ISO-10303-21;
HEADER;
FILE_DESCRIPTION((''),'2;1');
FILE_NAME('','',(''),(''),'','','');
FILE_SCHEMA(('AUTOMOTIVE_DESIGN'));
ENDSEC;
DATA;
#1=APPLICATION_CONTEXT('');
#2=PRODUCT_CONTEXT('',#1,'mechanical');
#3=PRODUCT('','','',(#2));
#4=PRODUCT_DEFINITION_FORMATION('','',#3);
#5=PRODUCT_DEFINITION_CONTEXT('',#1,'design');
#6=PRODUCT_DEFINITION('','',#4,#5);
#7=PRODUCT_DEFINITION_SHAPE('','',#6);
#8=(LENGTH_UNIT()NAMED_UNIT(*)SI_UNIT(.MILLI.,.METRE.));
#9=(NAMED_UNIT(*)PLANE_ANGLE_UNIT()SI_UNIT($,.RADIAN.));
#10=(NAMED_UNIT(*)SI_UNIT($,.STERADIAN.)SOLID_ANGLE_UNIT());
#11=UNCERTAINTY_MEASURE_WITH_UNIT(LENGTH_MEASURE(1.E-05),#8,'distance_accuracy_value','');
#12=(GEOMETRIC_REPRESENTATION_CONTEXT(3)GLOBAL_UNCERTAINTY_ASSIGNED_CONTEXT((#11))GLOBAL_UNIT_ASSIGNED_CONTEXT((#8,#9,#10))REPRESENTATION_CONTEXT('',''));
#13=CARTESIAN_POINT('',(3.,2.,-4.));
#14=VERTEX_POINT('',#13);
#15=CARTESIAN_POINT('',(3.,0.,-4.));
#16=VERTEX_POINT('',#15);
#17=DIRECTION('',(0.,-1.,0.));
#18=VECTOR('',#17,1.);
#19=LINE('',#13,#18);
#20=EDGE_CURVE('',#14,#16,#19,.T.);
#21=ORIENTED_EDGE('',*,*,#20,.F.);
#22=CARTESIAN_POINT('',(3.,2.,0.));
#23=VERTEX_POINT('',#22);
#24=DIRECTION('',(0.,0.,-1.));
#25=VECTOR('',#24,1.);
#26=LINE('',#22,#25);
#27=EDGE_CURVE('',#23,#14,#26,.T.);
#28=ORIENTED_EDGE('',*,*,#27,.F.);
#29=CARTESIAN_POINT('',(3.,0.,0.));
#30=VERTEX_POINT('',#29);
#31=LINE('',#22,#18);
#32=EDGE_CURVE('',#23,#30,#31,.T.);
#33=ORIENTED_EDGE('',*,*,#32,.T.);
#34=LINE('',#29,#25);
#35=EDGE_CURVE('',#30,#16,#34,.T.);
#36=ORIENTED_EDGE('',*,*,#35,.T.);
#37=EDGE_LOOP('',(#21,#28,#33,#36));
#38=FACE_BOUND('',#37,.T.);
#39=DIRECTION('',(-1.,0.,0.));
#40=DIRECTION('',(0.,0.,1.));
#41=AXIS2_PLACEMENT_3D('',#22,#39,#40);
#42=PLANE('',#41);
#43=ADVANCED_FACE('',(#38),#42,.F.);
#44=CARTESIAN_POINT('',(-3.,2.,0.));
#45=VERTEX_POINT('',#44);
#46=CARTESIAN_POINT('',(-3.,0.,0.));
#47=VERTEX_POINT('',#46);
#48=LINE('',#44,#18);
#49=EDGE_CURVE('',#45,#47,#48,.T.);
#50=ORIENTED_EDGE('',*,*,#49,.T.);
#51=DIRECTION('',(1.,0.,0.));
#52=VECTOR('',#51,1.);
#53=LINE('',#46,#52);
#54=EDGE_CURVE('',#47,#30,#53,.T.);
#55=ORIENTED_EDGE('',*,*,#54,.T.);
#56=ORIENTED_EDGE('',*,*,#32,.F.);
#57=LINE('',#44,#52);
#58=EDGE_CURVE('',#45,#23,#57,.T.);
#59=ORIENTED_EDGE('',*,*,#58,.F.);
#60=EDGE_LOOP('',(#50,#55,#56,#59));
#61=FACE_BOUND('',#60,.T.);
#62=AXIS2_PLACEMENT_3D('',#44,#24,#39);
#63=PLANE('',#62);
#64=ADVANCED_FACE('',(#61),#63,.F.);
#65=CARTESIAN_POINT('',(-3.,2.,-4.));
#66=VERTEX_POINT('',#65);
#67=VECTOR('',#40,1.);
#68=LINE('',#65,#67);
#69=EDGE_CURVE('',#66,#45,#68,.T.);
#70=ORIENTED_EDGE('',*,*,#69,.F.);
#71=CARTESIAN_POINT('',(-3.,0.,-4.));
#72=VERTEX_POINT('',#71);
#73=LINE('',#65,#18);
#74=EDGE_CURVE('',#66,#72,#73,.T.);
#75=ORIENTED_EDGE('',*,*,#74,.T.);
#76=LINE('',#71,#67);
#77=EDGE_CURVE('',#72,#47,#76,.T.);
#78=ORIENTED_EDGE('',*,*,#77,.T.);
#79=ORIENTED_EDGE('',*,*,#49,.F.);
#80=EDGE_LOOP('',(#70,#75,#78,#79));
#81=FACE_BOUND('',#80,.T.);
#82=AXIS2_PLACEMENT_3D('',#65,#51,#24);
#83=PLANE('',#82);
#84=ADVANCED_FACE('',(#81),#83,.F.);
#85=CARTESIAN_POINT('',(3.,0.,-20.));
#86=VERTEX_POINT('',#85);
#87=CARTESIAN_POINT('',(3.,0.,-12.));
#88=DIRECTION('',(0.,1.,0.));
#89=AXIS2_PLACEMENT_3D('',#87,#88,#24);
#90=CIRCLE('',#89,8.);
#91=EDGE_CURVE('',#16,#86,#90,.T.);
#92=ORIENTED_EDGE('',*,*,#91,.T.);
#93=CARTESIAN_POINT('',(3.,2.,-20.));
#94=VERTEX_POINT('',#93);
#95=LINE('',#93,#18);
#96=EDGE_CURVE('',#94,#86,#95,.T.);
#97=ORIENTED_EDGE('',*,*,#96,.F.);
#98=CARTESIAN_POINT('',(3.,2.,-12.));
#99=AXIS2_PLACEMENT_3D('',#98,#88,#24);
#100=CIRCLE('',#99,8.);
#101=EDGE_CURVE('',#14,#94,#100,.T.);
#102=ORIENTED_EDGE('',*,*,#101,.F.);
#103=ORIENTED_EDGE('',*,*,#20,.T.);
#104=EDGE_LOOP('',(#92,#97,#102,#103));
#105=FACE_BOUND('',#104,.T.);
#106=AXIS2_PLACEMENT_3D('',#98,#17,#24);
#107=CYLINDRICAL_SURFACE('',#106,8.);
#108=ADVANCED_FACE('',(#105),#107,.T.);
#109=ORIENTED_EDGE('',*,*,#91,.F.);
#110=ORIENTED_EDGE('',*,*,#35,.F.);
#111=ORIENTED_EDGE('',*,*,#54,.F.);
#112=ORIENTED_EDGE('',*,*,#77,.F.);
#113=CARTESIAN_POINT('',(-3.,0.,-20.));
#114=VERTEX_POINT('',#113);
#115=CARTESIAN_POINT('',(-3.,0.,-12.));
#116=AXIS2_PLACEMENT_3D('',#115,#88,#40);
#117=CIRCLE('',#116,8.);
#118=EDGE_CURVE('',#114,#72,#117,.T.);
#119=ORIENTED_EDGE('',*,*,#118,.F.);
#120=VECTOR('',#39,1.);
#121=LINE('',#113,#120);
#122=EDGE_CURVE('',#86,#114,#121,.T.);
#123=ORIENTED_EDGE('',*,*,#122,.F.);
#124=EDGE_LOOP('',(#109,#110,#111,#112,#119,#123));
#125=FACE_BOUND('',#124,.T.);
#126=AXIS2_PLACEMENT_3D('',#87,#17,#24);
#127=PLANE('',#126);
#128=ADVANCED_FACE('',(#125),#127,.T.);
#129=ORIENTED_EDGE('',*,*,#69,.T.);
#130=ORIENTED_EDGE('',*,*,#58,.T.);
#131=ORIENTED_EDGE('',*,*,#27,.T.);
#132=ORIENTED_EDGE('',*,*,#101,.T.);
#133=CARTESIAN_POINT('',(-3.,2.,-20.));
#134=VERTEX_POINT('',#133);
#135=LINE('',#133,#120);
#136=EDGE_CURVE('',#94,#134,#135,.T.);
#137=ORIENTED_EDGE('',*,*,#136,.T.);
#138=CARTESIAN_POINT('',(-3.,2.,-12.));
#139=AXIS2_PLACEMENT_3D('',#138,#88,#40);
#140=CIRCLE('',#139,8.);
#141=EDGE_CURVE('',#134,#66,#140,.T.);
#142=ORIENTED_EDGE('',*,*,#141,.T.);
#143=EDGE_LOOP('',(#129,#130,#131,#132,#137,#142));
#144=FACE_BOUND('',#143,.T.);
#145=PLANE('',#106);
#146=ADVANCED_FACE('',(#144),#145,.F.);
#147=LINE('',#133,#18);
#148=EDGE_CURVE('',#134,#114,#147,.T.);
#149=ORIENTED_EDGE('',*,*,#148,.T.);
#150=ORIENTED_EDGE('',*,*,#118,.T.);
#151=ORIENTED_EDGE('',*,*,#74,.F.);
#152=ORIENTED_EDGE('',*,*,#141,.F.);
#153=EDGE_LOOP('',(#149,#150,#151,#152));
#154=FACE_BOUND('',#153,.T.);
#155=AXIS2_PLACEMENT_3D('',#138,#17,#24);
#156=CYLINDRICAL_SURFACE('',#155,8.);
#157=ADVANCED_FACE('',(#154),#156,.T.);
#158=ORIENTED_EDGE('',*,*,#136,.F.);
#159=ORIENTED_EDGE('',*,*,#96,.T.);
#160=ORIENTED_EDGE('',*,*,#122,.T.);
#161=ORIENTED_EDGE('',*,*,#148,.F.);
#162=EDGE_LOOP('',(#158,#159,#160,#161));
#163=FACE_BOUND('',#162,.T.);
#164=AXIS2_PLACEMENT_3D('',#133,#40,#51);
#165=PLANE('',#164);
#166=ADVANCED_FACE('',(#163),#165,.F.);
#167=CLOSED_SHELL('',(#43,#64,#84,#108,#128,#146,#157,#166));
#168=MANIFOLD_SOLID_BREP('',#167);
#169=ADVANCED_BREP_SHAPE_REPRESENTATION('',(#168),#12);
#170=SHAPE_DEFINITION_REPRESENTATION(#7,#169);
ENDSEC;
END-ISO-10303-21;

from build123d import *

# Parameters (mm, degrees)
BOSS_EXTRUDE1_DEPTH = 2


with BuildPart() as part:
    # Sketch1 → Boss-Extrude1 (new body)
    with BuildSketch(Plane(origin=(0, 0, 0), x_dir=(1, 0, 0), z_dir=(0, 1, 0))):
        with BuildLine():
            Line((-3, 4), (-3, 0))
            Line((-3, 0), (3, 0))
            Line((3, 0), (3, 4))
            ThreePointArc((3, 4), (11, 12), (3, 20))
            Line((3, 20), (-3, 20))
            ThreePointArc((-3, 20), (-11, 12), (-3, 4))
        make_face()
    extrude(amount=BOSS_EXTRUDE1_DEPTH)


solid = part.part
